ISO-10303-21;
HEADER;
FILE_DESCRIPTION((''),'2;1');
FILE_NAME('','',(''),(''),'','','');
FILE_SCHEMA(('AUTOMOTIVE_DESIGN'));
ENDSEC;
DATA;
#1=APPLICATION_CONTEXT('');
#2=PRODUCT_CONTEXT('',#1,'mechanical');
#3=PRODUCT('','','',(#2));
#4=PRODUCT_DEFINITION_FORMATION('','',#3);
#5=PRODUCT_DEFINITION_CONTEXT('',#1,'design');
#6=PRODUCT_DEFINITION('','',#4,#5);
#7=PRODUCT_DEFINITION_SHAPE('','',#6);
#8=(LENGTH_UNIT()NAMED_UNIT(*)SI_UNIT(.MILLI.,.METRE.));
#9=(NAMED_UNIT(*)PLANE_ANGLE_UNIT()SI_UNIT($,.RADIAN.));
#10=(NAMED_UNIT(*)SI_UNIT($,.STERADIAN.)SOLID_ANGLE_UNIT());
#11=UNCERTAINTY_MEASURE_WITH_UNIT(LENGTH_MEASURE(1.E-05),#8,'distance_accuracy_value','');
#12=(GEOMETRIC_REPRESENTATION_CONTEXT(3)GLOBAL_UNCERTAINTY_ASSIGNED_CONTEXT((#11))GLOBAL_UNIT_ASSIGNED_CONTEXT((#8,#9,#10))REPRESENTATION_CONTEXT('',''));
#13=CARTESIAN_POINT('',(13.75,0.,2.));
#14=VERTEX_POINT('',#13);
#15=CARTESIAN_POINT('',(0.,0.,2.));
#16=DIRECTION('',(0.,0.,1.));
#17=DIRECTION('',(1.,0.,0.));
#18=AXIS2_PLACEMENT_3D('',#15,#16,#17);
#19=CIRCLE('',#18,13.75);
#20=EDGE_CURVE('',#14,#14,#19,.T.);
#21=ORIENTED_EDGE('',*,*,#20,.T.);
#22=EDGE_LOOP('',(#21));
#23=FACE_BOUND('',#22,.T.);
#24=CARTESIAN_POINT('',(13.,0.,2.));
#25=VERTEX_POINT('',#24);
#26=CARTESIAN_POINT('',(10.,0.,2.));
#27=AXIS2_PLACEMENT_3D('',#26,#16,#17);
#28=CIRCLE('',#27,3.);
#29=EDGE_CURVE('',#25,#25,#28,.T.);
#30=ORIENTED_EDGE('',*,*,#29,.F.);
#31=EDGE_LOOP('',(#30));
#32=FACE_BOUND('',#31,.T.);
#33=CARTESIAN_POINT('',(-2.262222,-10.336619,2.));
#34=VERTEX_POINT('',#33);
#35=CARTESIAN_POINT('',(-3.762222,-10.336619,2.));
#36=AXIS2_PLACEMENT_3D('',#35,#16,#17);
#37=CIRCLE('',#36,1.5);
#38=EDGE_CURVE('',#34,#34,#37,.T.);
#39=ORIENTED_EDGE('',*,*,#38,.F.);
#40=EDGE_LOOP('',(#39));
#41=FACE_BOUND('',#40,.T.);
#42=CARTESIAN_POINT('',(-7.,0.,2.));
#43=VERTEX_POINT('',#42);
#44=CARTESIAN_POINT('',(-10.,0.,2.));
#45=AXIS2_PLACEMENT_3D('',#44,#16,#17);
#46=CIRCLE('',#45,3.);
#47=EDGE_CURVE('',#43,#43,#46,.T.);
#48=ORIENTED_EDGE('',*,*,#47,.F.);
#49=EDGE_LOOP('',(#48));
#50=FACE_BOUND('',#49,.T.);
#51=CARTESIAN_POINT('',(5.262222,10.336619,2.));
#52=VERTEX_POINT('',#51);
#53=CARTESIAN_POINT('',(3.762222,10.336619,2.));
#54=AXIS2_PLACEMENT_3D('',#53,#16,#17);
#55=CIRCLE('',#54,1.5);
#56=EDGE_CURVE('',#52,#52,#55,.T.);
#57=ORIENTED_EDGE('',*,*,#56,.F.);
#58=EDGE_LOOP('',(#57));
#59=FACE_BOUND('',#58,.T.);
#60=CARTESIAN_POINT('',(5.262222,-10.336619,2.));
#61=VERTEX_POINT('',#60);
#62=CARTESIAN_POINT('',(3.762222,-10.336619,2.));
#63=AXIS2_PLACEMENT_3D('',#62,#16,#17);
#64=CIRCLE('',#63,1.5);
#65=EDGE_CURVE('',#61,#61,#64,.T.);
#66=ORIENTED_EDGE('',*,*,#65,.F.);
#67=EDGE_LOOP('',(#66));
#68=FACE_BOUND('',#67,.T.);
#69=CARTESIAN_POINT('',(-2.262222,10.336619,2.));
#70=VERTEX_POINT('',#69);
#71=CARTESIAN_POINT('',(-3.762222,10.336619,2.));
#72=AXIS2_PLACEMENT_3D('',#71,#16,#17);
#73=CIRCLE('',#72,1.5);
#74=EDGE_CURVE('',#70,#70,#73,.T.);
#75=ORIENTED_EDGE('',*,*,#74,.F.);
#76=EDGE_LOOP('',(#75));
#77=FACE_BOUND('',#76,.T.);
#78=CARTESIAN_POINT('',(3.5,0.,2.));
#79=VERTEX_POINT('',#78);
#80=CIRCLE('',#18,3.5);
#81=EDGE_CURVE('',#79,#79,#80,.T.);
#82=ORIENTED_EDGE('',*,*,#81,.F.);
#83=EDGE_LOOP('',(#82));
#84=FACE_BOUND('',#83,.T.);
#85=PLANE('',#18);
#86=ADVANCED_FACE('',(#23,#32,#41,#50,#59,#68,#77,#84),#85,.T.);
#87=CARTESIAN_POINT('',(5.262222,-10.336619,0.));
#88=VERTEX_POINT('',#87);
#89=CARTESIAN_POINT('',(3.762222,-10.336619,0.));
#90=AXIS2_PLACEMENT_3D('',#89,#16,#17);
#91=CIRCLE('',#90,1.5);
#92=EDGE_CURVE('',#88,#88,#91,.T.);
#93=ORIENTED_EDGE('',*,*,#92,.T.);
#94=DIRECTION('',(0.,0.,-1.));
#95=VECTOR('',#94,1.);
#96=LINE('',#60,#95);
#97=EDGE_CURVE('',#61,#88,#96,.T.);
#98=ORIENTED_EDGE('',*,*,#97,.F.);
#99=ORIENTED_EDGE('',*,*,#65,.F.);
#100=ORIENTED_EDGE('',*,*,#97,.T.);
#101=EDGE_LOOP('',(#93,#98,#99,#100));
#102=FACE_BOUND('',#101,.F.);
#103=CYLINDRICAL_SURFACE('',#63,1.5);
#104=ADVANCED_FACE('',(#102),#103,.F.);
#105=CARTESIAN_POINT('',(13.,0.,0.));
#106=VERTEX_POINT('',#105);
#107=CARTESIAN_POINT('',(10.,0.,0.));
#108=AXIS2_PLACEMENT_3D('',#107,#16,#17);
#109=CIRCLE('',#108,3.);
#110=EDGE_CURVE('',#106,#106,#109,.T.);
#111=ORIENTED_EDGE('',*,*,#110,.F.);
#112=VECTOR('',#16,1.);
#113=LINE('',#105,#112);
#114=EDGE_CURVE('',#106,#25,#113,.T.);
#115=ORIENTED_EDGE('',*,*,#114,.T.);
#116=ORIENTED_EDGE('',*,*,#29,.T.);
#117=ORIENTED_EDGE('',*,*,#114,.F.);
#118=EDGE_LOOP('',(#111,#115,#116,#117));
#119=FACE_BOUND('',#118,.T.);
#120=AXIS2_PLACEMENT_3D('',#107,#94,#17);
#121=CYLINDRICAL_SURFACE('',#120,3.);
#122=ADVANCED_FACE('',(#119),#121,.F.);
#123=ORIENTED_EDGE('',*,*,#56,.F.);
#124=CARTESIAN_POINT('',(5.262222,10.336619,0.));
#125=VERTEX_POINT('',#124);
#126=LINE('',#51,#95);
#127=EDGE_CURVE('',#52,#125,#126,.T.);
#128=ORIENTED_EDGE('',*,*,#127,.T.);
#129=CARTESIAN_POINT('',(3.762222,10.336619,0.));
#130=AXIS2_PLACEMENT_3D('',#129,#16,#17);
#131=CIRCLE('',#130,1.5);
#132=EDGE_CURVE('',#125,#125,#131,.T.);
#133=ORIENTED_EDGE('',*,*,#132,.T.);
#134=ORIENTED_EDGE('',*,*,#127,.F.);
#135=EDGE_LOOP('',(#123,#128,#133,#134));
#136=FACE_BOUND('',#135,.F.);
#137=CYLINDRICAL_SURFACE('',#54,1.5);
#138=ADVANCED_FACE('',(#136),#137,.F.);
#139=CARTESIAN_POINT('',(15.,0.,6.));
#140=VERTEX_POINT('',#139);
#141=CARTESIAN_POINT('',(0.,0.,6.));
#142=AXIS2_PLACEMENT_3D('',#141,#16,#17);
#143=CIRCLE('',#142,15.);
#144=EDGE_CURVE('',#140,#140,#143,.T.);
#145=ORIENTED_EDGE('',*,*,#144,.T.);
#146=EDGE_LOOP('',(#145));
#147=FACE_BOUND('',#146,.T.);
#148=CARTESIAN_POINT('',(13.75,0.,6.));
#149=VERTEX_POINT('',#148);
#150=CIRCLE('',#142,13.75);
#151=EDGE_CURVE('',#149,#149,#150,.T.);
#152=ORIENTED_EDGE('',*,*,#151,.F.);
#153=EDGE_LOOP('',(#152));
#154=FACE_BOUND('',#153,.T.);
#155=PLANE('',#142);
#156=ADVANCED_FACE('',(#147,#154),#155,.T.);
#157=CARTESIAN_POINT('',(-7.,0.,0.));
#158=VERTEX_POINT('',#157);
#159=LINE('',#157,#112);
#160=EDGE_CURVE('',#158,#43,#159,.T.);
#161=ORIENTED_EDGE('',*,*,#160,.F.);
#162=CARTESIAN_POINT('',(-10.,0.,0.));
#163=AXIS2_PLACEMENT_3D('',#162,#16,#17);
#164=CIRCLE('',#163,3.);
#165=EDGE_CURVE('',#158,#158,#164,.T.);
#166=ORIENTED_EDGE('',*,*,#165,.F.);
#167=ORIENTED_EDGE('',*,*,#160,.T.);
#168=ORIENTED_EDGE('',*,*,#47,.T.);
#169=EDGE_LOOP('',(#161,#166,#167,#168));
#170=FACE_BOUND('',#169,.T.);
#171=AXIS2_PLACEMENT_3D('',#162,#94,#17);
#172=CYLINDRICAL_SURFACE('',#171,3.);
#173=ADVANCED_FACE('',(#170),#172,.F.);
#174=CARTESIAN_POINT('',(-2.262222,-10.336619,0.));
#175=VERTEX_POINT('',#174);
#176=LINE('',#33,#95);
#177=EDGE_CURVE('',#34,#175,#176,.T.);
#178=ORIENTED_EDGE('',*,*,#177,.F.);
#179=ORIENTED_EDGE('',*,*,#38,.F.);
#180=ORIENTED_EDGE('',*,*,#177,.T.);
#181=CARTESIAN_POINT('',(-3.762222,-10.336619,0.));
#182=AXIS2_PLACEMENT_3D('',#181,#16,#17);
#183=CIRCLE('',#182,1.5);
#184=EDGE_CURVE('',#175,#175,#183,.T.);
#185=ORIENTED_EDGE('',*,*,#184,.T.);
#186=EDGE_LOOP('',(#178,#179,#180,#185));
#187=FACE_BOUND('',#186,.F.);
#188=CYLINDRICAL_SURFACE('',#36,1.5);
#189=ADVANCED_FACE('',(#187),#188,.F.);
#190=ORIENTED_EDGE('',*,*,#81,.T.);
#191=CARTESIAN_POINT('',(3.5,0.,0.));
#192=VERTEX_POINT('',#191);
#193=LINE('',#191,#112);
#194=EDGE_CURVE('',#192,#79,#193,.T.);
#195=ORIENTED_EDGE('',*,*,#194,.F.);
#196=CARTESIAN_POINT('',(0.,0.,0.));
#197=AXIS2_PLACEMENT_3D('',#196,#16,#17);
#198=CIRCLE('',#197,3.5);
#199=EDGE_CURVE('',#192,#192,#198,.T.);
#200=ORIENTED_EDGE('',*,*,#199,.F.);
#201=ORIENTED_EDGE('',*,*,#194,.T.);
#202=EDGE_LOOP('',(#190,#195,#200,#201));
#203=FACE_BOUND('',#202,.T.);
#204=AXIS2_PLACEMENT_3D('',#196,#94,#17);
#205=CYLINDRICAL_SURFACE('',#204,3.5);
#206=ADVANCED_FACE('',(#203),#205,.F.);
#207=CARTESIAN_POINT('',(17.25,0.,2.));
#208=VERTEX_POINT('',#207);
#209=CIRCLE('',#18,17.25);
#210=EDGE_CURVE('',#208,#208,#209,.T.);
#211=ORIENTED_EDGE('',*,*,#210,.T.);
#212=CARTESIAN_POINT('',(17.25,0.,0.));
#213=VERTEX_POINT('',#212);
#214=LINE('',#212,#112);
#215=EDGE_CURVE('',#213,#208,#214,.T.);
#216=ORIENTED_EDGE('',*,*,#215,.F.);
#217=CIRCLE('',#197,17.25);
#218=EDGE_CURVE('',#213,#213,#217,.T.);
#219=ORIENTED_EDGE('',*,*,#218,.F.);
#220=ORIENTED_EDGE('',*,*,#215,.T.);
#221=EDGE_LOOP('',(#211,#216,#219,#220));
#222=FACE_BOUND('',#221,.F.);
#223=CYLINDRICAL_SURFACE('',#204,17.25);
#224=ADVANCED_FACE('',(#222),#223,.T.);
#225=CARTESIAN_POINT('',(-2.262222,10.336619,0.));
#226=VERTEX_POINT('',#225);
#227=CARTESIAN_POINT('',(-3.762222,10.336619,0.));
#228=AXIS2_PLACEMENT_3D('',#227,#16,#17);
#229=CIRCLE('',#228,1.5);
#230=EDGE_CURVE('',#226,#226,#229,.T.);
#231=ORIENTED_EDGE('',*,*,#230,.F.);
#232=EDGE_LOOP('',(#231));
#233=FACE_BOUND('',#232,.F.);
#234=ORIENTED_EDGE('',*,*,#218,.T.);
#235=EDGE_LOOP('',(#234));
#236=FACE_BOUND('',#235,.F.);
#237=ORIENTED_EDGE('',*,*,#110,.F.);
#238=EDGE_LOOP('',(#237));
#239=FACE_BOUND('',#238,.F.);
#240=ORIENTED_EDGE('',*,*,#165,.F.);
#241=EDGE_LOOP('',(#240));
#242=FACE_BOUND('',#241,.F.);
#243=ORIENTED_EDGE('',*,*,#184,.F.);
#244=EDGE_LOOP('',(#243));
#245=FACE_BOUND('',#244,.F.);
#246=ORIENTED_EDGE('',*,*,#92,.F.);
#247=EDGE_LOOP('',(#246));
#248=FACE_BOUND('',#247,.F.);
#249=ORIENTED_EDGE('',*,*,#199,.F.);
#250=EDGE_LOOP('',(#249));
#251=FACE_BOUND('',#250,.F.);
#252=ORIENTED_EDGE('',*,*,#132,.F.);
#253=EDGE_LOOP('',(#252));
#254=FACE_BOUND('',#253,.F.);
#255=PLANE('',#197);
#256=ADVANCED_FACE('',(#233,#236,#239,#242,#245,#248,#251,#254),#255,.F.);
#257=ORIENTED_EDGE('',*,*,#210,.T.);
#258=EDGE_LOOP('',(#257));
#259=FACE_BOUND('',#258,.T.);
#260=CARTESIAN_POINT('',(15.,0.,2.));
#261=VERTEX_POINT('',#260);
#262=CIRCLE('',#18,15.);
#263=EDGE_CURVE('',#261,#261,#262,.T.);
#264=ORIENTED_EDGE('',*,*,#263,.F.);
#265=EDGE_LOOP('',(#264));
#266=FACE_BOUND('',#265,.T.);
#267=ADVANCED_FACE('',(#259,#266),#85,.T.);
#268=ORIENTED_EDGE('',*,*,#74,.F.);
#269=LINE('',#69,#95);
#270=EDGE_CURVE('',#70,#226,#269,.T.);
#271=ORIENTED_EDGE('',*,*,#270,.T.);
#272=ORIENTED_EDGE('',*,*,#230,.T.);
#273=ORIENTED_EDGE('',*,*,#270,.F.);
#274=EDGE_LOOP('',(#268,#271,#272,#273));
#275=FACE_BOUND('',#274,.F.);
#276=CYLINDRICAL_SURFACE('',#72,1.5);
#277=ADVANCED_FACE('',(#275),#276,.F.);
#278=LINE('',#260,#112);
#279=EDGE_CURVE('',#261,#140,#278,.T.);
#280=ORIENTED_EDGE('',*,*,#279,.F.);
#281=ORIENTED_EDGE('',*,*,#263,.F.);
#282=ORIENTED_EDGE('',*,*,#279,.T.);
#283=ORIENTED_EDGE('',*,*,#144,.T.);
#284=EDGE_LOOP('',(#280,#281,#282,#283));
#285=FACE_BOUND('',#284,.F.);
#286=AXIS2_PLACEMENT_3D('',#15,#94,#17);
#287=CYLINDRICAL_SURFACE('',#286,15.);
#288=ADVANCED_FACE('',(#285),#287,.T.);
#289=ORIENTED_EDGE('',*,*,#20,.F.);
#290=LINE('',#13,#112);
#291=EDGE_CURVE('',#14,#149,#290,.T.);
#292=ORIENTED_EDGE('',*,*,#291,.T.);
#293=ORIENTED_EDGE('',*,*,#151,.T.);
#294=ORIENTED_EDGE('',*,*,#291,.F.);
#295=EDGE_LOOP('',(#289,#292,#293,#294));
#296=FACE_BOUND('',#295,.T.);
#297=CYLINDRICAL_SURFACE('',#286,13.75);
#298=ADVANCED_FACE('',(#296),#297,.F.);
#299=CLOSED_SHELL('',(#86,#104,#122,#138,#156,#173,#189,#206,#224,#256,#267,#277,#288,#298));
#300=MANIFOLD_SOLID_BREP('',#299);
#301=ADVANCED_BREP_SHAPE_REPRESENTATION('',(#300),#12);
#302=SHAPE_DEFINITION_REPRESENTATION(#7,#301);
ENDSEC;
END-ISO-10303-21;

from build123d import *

# Parameters (mm, degrees)
SKETCH_R      = 17.25
SKETCH_R_2    = 3.5
SKETCH_R_3    = 3
PAD_DEPTH     = 2
SKETCH003_R   = 15
SKETCH003_R_2 = 13.75
PAD001_DEPTH  = 4
SKETCH005_R   = 1.5
POCKET_DEPTH  = 2.001


with BuildPart() as part:
    # Sketch → Pad (new body)
    with BuildSketch(Plane.XY):
        Circle(SKETCH_R)
        Circle(SKETCH_R_2, mode=Mode.SUBTRACT)
        with Locations((10, 0)):
            Circle(SKETCH_R_3, mode=Mode.SUBTRACT)
        with Locations((-10, 0)):
            Circle(SKETCH_R_3, mode=Mode.SUBTRACT)
    extrude(amount=PAD_DEPTH)

    # Sketch003 (on Face6 of Pad) → Pad001 (join)
    with BuildSketch(Plane.XY.offset(2)):
        Circle(SKETCH003_R)
        Circle(SKETCH003_R_2, mode=Mode.SUBTRACT)
    extrude(amount=PAD001_DEPTH)

    # Sketch005 (on Face6 of Pad) → Pocket (cut, through all)
    with BuildSketch(Plane.XY.offset(2)):
        with Locations((-3.762222, 10.336619)):
            Circle(SKETCH005_R)
        with Locations((3.762222, 10.336619)):
            Circle(SKETCH005_R)
        with Locations((-3.762222, -10.336619)):
            Circle(SKETCH005_R)
        with Locations((3.762222, -10.336619)):
            Circle(SKETCH005_R)
    extrude(amount=-POCKET_DEPTH, mode=Mode.SUBTRACT)


solid = part.part
